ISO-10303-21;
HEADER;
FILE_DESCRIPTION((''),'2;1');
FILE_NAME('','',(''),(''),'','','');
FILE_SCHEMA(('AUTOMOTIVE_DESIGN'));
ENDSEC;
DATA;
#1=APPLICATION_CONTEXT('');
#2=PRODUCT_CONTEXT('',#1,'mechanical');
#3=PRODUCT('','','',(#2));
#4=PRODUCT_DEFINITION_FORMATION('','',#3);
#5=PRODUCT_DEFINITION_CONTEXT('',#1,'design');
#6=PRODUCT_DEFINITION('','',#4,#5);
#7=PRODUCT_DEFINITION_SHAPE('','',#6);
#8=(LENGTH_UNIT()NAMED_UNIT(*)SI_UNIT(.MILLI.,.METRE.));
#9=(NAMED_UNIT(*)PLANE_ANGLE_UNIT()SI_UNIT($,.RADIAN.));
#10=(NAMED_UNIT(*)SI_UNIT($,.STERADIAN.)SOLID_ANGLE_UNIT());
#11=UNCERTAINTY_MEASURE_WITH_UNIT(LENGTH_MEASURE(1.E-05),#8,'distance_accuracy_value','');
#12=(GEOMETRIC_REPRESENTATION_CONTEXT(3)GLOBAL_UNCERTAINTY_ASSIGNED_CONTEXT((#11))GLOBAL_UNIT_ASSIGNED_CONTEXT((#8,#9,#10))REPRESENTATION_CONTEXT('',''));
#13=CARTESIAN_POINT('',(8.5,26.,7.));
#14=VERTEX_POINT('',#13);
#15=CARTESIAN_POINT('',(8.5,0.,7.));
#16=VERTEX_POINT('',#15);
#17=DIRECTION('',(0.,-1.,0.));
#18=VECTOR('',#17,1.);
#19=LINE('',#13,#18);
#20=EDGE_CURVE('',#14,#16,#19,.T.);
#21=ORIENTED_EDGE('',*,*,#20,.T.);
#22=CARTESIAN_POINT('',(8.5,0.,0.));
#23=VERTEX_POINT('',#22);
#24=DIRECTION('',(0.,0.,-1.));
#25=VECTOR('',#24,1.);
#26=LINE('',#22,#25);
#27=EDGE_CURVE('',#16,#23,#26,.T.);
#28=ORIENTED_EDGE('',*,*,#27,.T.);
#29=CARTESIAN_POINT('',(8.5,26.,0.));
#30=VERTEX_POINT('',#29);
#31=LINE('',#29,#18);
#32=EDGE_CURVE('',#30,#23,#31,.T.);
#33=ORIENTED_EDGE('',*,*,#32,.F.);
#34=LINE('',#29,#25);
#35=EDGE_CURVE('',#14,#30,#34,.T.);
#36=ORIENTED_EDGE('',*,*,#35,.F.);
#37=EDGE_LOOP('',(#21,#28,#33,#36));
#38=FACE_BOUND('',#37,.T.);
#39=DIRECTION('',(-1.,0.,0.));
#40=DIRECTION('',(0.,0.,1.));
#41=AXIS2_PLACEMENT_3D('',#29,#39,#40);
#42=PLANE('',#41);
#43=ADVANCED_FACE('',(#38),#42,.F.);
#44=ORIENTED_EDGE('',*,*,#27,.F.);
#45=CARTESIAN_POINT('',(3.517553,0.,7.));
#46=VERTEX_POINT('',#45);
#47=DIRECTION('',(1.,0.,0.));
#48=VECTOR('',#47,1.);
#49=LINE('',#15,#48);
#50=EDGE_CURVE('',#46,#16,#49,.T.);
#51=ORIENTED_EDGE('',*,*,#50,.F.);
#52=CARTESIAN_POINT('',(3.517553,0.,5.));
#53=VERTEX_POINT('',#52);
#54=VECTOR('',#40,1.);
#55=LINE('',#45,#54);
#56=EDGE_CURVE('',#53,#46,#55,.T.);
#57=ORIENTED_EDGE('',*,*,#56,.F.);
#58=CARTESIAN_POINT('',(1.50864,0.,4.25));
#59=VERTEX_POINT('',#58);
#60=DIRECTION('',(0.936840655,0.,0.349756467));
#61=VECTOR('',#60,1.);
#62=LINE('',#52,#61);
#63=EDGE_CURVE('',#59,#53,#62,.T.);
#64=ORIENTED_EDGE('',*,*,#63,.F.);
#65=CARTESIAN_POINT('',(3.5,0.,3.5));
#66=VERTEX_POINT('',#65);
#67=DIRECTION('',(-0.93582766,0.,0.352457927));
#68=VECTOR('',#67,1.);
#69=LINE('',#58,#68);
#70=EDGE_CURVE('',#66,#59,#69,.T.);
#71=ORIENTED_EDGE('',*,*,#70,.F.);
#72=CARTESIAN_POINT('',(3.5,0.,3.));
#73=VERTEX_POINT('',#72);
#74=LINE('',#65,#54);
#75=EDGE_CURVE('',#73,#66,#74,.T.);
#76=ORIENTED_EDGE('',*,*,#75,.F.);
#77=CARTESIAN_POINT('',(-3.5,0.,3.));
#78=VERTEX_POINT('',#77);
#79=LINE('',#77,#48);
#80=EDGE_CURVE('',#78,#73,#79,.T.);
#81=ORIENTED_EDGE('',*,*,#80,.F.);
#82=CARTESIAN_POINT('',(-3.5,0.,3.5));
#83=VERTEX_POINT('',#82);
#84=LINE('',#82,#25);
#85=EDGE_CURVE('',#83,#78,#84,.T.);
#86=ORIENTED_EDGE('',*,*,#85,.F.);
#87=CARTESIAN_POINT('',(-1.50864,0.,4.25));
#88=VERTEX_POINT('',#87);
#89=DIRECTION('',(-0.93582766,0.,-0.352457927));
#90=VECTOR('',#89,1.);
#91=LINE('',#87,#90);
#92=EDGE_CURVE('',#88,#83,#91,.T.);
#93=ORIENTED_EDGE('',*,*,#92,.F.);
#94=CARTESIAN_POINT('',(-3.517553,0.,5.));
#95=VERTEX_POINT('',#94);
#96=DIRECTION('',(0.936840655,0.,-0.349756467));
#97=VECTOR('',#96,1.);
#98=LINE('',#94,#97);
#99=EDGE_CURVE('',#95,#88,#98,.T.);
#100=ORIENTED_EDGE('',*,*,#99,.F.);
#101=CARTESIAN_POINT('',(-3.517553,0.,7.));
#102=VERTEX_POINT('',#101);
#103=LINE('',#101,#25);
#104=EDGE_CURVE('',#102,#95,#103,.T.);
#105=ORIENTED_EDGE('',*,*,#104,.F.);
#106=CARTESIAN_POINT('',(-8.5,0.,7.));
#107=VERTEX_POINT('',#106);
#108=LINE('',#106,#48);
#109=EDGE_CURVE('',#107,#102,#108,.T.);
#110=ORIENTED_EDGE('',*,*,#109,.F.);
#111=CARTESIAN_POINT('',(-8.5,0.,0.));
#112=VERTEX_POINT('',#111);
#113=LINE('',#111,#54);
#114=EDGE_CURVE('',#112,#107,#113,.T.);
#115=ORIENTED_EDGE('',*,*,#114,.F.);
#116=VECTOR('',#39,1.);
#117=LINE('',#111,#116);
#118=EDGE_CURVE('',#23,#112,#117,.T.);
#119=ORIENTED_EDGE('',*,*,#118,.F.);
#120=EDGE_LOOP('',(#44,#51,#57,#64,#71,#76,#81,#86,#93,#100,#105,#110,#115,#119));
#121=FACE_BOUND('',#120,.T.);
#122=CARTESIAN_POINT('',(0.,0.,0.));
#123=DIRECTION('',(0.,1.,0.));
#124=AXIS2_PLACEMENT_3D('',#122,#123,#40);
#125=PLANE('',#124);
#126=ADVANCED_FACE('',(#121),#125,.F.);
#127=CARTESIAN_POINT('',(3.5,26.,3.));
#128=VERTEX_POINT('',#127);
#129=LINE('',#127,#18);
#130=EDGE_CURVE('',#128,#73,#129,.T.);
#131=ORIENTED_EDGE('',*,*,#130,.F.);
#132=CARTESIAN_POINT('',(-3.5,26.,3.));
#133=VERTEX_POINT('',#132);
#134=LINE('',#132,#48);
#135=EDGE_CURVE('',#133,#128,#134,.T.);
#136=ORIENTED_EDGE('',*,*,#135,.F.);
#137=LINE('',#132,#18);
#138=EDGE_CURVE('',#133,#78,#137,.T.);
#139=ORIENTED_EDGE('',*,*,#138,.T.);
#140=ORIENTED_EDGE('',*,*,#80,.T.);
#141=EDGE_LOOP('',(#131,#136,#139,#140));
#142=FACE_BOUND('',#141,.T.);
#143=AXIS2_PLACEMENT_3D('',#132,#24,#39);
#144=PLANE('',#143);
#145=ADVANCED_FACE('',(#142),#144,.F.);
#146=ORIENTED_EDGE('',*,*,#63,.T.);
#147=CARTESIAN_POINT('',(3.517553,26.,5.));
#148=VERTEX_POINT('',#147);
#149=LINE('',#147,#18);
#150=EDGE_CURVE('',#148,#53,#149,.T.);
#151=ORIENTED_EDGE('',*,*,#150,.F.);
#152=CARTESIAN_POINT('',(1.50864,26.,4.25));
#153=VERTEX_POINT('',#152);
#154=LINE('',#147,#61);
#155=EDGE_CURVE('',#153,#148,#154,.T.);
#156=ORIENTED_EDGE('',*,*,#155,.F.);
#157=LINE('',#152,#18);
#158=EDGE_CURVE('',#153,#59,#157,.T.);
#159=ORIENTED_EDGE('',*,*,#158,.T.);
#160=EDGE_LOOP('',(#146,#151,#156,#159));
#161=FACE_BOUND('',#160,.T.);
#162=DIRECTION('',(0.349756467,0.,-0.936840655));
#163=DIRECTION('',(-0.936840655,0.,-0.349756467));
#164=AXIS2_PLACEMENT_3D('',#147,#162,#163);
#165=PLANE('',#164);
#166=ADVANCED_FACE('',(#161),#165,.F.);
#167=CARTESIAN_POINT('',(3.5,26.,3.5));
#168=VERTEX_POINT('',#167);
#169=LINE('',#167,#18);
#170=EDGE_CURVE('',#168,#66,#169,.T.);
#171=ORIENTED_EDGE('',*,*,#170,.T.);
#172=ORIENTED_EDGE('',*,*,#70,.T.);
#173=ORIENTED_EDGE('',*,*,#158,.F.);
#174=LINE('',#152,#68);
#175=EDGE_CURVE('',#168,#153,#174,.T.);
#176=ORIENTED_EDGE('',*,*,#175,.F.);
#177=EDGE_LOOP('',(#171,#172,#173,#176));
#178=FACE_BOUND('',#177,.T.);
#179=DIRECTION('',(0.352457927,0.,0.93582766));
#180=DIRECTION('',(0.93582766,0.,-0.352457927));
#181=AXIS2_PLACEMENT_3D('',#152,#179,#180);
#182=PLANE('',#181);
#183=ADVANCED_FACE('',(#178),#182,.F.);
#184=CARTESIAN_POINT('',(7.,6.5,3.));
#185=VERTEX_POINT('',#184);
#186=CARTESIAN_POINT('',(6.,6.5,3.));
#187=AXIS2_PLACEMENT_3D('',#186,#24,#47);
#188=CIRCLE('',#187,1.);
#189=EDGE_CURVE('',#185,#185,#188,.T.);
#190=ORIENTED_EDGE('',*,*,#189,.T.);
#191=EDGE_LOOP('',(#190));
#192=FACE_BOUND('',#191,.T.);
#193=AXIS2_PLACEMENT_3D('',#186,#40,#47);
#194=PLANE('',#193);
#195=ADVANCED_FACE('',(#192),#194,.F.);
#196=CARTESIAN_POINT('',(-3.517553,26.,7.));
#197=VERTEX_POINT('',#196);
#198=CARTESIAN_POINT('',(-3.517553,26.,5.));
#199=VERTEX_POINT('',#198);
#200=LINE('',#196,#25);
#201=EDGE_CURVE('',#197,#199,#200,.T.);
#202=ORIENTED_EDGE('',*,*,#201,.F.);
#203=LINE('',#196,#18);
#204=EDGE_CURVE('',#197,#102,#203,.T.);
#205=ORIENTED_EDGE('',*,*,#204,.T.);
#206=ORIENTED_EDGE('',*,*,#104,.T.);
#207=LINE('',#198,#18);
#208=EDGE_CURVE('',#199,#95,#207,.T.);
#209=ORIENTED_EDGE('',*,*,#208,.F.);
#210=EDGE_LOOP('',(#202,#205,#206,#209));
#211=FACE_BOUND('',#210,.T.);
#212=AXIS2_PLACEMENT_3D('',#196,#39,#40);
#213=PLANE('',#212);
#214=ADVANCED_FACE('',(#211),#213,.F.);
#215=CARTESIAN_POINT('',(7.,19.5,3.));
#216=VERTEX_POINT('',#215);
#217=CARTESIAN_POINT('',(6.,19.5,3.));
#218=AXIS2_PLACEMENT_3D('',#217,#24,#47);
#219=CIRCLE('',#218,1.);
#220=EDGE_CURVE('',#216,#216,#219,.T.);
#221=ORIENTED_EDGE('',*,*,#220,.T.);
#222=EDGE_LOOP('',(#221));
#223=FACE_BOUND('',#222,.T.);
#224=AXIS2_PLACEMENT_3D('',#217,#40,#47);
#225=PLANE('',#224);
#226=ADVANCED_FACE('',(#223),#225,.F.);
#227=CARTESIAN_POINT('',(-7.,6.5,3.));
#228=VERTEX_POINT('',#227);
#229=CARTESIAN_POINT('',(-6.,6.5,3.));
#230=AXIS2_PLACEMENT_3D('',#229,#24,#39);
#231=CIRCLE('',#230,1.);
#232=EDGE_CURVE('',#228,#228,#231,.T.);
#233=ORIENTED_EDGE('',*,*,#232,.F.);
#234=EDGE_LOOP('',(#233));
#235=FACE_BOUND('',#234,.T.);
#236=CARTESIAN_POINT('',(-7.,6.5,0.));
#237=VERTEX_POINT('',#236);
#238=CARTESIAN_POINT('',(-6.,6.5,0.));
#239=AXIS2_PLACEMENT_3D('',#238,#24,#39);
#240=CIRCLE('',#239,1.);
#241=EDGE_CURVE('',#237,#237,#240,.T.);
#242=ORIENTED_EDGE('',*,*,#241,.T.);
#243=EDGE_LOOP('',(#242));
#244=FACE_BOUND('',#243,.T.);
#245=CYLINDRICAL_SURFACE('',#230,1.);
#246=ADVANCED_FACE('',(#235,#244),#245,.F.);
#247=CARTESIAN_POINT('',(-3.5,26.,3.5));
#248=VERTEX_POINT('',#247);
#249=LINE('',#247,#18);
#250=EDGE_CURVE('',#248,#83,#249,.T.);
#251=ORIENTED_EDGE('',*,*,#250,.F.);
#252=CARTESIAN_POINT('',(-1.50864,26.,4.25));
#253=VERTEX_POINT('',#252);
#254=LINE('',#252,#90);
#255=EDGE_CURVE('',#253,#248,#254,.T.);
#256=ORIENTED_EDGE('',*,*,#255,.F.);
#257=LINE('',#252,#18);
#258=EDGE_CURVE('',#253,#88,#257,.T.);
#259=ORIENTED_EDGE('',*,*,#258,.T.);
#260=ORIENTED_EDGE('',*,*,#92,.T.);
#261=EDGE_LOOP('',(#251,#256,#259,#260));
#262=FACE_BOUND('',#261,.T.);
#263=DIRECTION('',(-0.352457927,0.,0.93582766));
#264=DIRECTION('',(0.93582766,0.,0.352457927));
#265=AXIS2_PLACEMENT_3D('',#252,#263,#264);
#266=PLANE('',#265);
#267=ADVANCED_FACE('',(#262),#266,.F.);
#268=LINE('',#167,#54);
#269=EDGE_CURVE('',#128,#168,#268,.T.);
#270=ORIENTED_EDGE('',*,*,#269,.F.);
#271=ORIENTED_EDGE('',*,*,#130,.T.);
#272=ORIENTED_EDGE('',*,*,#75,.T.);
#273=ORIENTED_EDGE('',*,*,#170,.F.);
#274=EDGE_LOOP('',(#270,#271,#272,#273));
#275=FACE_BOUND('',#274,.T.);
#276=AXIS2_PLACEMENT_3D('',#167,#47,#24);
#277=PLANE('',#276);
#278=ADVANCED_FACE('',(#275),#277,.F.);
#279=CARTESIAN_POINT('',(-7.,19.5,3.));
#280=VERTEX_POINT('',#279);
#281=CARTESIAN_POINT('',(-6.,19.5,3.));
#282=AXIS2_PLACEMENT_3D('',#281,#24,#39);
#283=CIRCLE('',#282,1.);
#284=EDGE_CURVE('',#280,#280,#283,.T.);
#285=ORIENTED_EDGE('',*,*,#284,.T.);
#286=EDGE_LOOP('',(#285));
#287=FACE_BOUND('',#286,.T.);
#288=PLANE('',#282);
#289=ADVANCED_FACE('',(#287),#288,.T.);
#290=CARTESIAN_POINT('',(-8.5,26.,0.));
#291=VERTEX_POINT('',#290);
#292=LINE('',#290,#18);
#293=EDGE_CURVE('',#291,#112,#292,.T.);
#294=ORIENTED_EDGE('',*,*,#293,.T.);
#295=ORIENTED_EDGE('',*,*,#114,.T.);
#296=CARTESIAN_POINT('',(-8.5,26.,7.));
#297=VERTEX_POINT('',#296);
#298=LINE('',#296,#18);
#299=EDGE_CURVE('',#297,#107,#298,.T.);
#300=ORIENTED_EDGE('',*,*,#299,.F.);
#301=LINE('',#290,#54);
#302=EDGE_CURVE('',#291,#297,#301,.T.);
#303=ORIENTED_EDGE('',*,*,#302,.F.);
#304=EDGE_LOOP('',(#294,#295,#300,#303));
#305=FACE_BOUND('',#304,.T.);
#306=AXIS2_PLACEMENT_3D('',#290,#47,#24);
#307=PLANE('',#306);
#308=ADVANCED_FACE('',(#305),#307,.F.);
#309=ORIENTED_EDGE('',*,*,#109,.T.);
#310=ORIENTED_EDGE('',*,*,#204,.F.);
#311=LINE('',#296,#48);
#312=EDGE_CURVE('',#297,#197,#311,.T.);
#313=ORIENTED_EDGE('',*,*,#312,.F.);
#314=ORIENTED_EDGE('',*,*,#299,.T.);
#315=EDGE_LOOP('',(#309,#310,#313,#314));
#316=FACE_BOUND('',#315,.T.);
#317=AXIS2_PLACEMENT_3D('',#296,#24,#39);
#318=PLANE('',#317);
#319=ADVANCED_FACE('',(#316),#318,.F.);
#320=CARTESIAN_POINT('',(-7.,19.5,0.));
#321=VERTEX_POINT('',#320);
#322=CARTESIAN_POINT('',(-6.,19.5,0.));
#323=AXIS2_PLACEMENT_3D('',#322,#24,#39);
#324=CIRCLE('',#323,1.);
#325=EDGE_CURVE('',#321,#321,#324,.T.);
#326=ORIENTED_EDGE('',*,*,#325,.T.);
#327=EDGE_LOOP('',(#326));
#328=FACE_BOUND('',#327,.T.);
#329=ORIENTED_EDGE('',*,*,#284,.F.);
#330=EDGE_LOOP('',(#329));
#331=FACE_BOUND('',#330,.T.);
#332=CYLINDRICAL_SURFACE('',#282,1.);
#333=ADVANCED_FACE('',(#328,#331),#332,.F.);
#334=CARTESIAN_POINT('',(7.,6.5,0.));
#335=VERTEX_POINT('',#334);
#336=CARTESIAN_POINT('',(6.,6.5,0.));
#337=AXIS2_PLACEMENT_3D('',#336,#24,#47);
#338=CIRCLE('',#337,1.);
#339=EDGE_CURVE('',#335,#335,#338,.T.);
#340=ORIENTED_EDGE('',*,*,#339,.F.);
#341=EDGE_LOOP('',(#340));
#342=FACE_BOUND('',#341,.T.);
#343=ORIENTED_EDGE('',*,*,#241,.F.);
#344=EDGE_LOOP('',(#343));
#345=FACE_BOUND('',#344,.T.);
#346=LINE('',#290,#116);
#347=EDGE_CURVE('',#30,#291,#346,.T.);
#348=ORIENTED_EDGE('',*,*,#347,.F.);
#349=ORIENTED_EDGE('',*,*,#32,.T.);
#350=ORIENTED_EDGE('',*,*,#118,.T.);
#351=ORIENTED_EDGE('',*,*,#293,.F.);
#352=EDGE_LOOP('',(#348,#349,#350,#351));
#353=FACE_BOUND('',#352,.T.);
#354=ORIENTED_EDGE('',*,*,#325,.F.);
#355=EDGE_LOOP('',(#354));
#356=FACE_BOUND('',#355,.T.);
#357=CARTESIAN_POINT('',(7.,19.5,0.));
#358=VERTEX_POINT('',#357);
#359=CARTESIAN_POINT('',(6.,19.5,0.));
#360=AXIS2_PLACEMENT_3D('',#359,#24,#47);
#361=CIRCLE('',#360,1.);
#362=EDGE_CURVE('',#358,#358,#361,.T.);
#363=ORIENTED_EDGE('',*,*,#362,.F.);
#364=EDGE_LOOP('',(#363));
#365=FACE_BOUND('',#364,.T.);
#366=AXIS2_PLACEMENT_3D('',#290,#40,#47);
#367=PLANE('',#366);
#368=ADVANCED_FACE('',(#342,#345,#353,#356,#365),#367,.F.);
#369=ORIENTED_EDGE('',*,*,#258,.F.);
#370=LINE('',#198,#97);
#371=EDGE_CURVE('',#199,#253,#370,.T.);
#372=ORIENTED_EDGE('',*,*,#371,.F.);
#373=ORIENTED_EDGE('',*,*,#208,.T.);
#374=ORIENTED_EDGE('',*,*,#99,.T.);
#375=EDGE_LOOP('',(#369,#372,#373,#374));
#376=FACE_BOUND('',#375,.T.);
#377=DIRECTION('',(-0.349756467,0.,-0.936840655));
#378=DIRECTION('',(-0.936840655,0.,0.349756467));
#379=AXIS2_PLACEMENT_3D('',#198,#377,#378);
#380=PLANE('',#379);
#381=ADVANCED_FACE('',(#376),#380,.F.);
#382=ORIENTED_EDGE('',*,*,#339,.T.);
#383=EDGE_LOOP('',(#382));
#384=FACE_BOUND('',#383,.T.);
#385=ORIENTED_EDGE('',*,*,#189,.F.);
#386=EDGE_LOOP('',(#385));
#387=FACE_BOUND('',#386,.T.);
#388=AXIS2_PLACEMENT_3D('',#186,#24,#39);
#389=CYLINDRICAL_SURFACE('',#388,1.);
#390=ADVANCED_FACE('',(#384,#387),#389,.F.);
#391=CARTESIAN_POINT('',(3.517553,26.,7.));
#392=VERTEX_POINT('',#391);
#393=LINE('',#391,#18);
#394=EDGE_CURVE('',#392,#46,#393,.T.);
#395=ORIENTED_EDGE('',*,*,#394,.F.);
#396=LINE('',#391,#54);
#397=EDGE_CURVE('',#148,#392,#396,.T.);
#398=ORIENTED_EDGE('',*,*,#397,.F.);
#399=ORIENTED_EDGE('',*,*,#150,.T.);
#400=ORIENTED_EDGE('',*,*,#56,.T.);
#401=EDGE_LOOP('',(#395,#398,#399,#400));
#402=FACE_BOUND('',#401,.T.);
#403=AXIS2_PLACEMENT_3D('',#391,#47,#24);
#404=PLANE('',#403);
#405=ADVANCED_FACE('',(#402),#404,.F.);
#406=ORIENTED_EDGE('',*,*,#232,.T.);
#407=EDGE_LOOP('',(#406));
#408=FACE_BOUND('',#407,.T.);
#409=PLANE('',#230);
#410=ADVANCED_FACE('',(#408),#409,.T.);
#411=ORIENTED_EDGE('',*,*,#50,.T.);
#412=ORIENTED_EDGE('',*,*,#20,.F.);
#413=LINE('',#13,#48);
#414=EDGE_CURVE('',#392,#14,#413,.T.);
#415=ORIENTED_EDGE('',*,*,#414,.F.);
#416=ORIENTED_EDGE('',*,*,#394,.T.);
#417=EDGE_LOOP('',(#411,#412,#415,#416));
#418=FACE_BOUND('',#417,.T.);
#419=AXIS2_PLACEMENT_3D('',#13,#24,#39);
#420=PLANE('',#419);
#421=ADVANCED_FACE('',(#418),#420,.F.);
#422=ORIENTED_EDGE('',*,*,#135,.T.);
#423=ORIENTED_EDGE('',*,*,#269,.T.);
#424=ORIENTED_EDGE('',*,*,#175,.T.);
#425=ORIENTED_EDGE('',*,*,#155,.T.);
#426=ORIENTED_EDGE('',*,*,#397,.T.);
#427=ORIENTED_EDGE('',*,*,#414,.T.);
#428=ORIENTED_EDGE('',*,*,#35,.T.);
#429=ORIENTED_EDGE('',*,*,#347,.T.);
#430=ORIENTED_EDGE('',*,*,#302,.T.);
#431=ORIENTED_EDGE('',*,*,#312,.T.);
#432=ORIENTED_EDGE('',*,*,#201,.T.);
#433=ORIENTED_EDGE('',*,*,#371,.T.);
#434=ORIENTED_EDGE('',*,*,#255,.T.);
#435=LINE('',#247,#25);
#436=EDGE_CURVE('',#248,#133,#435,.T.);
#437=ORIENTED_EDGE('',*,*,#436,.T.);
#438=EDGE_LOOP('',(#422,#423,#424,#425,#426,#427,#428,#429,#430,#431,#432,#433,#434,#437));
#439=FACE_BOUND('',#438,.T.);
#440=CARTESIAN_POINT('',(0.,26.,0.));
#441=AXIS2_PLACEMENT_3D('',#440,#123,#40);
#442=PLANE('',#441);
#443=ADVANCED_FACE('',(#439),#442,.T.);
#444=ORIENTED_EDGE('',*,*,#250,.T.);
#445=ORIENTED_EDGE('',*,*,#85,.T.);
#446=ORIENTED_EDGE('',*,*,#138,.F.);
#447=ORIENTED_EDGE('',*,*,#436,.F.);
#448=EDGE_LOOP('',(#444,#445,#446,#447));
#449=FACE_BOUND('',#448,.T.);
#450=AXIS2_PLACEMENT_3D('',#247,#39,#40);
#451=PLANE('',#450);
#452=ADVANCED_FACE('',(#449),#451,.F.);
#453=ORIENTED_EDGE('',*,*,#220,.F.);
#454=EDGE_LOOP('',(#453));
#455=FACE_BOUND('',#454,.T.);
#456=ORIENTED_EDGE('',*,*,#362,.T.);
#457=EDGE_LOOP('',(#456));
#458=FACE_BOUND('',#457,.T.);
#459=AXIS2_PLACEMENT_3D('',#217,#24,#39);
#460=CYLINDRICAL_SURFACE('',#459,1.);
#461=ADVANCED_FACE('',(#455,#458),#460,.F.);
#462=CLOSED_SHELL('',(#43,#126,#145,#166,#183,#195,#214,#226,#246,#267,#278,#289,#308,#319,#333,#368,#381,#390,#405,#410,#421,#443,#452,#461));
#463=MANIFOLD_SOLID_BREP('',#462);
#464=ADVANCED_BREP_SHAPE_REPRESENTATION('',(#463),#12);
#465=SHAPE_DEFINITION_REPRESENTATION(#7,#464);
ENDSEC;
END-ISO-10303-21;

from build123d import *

# Parameters (mm, degrees)
EXTRUDE_1_DEPTH     = 26
SKETCH_2_R          = 1
CUT_EXTRUDE_1_DEPTH = 3


with BuildPart() as part:
    # 草图1 → 凸台-拉伸1 (new body)
    with BuildSketch(Plane(origin=(0, 0, 0), x_dir=(1, 0, 0), z_dir=(0, 1, 0))):
        Polygon((-8.5, 0), (8.5, 0), (8.5, -7), (3.517553147, -7), (3.517553147, -5), (1.508639639, -4.25), (3.5, -3.5), (3.5, -3), (-3.5, -3), (-3.5, -3.5), (-1.508639639, -4.25), (-3.517553147, -5), (-3.517553147, -7), (-8.5, -7), align=None)
    extrude(amount=EXTRUDE_1_DEPTH)

    # 草图2 → 切除-拉伸1 (cut)
    with BuildSketch(Plane(origin=(0, 0, 0), x_dir=(-1, 0, 0), z_dir=(0, 0, -1))):
        with Locations((6, 19.5)):
            Circle(SKETCH_2_R)
        with Locations((6, 6.5)):
            Circle(SKETCH_2_R)
        with Locations(Location((-6, 6.5, 0), (0, 0, 180))):
            Circle(SKETCH_2_R)
        with Locations(Location((-6, 19.5, 0), (0, 0, 180))):
            Circle(SKETCH_2_R)
    extrude(amount=-CUT_EXTRUDE_1_DEPTH, mode=Mode.SUBTRACT)


solid = part.part
